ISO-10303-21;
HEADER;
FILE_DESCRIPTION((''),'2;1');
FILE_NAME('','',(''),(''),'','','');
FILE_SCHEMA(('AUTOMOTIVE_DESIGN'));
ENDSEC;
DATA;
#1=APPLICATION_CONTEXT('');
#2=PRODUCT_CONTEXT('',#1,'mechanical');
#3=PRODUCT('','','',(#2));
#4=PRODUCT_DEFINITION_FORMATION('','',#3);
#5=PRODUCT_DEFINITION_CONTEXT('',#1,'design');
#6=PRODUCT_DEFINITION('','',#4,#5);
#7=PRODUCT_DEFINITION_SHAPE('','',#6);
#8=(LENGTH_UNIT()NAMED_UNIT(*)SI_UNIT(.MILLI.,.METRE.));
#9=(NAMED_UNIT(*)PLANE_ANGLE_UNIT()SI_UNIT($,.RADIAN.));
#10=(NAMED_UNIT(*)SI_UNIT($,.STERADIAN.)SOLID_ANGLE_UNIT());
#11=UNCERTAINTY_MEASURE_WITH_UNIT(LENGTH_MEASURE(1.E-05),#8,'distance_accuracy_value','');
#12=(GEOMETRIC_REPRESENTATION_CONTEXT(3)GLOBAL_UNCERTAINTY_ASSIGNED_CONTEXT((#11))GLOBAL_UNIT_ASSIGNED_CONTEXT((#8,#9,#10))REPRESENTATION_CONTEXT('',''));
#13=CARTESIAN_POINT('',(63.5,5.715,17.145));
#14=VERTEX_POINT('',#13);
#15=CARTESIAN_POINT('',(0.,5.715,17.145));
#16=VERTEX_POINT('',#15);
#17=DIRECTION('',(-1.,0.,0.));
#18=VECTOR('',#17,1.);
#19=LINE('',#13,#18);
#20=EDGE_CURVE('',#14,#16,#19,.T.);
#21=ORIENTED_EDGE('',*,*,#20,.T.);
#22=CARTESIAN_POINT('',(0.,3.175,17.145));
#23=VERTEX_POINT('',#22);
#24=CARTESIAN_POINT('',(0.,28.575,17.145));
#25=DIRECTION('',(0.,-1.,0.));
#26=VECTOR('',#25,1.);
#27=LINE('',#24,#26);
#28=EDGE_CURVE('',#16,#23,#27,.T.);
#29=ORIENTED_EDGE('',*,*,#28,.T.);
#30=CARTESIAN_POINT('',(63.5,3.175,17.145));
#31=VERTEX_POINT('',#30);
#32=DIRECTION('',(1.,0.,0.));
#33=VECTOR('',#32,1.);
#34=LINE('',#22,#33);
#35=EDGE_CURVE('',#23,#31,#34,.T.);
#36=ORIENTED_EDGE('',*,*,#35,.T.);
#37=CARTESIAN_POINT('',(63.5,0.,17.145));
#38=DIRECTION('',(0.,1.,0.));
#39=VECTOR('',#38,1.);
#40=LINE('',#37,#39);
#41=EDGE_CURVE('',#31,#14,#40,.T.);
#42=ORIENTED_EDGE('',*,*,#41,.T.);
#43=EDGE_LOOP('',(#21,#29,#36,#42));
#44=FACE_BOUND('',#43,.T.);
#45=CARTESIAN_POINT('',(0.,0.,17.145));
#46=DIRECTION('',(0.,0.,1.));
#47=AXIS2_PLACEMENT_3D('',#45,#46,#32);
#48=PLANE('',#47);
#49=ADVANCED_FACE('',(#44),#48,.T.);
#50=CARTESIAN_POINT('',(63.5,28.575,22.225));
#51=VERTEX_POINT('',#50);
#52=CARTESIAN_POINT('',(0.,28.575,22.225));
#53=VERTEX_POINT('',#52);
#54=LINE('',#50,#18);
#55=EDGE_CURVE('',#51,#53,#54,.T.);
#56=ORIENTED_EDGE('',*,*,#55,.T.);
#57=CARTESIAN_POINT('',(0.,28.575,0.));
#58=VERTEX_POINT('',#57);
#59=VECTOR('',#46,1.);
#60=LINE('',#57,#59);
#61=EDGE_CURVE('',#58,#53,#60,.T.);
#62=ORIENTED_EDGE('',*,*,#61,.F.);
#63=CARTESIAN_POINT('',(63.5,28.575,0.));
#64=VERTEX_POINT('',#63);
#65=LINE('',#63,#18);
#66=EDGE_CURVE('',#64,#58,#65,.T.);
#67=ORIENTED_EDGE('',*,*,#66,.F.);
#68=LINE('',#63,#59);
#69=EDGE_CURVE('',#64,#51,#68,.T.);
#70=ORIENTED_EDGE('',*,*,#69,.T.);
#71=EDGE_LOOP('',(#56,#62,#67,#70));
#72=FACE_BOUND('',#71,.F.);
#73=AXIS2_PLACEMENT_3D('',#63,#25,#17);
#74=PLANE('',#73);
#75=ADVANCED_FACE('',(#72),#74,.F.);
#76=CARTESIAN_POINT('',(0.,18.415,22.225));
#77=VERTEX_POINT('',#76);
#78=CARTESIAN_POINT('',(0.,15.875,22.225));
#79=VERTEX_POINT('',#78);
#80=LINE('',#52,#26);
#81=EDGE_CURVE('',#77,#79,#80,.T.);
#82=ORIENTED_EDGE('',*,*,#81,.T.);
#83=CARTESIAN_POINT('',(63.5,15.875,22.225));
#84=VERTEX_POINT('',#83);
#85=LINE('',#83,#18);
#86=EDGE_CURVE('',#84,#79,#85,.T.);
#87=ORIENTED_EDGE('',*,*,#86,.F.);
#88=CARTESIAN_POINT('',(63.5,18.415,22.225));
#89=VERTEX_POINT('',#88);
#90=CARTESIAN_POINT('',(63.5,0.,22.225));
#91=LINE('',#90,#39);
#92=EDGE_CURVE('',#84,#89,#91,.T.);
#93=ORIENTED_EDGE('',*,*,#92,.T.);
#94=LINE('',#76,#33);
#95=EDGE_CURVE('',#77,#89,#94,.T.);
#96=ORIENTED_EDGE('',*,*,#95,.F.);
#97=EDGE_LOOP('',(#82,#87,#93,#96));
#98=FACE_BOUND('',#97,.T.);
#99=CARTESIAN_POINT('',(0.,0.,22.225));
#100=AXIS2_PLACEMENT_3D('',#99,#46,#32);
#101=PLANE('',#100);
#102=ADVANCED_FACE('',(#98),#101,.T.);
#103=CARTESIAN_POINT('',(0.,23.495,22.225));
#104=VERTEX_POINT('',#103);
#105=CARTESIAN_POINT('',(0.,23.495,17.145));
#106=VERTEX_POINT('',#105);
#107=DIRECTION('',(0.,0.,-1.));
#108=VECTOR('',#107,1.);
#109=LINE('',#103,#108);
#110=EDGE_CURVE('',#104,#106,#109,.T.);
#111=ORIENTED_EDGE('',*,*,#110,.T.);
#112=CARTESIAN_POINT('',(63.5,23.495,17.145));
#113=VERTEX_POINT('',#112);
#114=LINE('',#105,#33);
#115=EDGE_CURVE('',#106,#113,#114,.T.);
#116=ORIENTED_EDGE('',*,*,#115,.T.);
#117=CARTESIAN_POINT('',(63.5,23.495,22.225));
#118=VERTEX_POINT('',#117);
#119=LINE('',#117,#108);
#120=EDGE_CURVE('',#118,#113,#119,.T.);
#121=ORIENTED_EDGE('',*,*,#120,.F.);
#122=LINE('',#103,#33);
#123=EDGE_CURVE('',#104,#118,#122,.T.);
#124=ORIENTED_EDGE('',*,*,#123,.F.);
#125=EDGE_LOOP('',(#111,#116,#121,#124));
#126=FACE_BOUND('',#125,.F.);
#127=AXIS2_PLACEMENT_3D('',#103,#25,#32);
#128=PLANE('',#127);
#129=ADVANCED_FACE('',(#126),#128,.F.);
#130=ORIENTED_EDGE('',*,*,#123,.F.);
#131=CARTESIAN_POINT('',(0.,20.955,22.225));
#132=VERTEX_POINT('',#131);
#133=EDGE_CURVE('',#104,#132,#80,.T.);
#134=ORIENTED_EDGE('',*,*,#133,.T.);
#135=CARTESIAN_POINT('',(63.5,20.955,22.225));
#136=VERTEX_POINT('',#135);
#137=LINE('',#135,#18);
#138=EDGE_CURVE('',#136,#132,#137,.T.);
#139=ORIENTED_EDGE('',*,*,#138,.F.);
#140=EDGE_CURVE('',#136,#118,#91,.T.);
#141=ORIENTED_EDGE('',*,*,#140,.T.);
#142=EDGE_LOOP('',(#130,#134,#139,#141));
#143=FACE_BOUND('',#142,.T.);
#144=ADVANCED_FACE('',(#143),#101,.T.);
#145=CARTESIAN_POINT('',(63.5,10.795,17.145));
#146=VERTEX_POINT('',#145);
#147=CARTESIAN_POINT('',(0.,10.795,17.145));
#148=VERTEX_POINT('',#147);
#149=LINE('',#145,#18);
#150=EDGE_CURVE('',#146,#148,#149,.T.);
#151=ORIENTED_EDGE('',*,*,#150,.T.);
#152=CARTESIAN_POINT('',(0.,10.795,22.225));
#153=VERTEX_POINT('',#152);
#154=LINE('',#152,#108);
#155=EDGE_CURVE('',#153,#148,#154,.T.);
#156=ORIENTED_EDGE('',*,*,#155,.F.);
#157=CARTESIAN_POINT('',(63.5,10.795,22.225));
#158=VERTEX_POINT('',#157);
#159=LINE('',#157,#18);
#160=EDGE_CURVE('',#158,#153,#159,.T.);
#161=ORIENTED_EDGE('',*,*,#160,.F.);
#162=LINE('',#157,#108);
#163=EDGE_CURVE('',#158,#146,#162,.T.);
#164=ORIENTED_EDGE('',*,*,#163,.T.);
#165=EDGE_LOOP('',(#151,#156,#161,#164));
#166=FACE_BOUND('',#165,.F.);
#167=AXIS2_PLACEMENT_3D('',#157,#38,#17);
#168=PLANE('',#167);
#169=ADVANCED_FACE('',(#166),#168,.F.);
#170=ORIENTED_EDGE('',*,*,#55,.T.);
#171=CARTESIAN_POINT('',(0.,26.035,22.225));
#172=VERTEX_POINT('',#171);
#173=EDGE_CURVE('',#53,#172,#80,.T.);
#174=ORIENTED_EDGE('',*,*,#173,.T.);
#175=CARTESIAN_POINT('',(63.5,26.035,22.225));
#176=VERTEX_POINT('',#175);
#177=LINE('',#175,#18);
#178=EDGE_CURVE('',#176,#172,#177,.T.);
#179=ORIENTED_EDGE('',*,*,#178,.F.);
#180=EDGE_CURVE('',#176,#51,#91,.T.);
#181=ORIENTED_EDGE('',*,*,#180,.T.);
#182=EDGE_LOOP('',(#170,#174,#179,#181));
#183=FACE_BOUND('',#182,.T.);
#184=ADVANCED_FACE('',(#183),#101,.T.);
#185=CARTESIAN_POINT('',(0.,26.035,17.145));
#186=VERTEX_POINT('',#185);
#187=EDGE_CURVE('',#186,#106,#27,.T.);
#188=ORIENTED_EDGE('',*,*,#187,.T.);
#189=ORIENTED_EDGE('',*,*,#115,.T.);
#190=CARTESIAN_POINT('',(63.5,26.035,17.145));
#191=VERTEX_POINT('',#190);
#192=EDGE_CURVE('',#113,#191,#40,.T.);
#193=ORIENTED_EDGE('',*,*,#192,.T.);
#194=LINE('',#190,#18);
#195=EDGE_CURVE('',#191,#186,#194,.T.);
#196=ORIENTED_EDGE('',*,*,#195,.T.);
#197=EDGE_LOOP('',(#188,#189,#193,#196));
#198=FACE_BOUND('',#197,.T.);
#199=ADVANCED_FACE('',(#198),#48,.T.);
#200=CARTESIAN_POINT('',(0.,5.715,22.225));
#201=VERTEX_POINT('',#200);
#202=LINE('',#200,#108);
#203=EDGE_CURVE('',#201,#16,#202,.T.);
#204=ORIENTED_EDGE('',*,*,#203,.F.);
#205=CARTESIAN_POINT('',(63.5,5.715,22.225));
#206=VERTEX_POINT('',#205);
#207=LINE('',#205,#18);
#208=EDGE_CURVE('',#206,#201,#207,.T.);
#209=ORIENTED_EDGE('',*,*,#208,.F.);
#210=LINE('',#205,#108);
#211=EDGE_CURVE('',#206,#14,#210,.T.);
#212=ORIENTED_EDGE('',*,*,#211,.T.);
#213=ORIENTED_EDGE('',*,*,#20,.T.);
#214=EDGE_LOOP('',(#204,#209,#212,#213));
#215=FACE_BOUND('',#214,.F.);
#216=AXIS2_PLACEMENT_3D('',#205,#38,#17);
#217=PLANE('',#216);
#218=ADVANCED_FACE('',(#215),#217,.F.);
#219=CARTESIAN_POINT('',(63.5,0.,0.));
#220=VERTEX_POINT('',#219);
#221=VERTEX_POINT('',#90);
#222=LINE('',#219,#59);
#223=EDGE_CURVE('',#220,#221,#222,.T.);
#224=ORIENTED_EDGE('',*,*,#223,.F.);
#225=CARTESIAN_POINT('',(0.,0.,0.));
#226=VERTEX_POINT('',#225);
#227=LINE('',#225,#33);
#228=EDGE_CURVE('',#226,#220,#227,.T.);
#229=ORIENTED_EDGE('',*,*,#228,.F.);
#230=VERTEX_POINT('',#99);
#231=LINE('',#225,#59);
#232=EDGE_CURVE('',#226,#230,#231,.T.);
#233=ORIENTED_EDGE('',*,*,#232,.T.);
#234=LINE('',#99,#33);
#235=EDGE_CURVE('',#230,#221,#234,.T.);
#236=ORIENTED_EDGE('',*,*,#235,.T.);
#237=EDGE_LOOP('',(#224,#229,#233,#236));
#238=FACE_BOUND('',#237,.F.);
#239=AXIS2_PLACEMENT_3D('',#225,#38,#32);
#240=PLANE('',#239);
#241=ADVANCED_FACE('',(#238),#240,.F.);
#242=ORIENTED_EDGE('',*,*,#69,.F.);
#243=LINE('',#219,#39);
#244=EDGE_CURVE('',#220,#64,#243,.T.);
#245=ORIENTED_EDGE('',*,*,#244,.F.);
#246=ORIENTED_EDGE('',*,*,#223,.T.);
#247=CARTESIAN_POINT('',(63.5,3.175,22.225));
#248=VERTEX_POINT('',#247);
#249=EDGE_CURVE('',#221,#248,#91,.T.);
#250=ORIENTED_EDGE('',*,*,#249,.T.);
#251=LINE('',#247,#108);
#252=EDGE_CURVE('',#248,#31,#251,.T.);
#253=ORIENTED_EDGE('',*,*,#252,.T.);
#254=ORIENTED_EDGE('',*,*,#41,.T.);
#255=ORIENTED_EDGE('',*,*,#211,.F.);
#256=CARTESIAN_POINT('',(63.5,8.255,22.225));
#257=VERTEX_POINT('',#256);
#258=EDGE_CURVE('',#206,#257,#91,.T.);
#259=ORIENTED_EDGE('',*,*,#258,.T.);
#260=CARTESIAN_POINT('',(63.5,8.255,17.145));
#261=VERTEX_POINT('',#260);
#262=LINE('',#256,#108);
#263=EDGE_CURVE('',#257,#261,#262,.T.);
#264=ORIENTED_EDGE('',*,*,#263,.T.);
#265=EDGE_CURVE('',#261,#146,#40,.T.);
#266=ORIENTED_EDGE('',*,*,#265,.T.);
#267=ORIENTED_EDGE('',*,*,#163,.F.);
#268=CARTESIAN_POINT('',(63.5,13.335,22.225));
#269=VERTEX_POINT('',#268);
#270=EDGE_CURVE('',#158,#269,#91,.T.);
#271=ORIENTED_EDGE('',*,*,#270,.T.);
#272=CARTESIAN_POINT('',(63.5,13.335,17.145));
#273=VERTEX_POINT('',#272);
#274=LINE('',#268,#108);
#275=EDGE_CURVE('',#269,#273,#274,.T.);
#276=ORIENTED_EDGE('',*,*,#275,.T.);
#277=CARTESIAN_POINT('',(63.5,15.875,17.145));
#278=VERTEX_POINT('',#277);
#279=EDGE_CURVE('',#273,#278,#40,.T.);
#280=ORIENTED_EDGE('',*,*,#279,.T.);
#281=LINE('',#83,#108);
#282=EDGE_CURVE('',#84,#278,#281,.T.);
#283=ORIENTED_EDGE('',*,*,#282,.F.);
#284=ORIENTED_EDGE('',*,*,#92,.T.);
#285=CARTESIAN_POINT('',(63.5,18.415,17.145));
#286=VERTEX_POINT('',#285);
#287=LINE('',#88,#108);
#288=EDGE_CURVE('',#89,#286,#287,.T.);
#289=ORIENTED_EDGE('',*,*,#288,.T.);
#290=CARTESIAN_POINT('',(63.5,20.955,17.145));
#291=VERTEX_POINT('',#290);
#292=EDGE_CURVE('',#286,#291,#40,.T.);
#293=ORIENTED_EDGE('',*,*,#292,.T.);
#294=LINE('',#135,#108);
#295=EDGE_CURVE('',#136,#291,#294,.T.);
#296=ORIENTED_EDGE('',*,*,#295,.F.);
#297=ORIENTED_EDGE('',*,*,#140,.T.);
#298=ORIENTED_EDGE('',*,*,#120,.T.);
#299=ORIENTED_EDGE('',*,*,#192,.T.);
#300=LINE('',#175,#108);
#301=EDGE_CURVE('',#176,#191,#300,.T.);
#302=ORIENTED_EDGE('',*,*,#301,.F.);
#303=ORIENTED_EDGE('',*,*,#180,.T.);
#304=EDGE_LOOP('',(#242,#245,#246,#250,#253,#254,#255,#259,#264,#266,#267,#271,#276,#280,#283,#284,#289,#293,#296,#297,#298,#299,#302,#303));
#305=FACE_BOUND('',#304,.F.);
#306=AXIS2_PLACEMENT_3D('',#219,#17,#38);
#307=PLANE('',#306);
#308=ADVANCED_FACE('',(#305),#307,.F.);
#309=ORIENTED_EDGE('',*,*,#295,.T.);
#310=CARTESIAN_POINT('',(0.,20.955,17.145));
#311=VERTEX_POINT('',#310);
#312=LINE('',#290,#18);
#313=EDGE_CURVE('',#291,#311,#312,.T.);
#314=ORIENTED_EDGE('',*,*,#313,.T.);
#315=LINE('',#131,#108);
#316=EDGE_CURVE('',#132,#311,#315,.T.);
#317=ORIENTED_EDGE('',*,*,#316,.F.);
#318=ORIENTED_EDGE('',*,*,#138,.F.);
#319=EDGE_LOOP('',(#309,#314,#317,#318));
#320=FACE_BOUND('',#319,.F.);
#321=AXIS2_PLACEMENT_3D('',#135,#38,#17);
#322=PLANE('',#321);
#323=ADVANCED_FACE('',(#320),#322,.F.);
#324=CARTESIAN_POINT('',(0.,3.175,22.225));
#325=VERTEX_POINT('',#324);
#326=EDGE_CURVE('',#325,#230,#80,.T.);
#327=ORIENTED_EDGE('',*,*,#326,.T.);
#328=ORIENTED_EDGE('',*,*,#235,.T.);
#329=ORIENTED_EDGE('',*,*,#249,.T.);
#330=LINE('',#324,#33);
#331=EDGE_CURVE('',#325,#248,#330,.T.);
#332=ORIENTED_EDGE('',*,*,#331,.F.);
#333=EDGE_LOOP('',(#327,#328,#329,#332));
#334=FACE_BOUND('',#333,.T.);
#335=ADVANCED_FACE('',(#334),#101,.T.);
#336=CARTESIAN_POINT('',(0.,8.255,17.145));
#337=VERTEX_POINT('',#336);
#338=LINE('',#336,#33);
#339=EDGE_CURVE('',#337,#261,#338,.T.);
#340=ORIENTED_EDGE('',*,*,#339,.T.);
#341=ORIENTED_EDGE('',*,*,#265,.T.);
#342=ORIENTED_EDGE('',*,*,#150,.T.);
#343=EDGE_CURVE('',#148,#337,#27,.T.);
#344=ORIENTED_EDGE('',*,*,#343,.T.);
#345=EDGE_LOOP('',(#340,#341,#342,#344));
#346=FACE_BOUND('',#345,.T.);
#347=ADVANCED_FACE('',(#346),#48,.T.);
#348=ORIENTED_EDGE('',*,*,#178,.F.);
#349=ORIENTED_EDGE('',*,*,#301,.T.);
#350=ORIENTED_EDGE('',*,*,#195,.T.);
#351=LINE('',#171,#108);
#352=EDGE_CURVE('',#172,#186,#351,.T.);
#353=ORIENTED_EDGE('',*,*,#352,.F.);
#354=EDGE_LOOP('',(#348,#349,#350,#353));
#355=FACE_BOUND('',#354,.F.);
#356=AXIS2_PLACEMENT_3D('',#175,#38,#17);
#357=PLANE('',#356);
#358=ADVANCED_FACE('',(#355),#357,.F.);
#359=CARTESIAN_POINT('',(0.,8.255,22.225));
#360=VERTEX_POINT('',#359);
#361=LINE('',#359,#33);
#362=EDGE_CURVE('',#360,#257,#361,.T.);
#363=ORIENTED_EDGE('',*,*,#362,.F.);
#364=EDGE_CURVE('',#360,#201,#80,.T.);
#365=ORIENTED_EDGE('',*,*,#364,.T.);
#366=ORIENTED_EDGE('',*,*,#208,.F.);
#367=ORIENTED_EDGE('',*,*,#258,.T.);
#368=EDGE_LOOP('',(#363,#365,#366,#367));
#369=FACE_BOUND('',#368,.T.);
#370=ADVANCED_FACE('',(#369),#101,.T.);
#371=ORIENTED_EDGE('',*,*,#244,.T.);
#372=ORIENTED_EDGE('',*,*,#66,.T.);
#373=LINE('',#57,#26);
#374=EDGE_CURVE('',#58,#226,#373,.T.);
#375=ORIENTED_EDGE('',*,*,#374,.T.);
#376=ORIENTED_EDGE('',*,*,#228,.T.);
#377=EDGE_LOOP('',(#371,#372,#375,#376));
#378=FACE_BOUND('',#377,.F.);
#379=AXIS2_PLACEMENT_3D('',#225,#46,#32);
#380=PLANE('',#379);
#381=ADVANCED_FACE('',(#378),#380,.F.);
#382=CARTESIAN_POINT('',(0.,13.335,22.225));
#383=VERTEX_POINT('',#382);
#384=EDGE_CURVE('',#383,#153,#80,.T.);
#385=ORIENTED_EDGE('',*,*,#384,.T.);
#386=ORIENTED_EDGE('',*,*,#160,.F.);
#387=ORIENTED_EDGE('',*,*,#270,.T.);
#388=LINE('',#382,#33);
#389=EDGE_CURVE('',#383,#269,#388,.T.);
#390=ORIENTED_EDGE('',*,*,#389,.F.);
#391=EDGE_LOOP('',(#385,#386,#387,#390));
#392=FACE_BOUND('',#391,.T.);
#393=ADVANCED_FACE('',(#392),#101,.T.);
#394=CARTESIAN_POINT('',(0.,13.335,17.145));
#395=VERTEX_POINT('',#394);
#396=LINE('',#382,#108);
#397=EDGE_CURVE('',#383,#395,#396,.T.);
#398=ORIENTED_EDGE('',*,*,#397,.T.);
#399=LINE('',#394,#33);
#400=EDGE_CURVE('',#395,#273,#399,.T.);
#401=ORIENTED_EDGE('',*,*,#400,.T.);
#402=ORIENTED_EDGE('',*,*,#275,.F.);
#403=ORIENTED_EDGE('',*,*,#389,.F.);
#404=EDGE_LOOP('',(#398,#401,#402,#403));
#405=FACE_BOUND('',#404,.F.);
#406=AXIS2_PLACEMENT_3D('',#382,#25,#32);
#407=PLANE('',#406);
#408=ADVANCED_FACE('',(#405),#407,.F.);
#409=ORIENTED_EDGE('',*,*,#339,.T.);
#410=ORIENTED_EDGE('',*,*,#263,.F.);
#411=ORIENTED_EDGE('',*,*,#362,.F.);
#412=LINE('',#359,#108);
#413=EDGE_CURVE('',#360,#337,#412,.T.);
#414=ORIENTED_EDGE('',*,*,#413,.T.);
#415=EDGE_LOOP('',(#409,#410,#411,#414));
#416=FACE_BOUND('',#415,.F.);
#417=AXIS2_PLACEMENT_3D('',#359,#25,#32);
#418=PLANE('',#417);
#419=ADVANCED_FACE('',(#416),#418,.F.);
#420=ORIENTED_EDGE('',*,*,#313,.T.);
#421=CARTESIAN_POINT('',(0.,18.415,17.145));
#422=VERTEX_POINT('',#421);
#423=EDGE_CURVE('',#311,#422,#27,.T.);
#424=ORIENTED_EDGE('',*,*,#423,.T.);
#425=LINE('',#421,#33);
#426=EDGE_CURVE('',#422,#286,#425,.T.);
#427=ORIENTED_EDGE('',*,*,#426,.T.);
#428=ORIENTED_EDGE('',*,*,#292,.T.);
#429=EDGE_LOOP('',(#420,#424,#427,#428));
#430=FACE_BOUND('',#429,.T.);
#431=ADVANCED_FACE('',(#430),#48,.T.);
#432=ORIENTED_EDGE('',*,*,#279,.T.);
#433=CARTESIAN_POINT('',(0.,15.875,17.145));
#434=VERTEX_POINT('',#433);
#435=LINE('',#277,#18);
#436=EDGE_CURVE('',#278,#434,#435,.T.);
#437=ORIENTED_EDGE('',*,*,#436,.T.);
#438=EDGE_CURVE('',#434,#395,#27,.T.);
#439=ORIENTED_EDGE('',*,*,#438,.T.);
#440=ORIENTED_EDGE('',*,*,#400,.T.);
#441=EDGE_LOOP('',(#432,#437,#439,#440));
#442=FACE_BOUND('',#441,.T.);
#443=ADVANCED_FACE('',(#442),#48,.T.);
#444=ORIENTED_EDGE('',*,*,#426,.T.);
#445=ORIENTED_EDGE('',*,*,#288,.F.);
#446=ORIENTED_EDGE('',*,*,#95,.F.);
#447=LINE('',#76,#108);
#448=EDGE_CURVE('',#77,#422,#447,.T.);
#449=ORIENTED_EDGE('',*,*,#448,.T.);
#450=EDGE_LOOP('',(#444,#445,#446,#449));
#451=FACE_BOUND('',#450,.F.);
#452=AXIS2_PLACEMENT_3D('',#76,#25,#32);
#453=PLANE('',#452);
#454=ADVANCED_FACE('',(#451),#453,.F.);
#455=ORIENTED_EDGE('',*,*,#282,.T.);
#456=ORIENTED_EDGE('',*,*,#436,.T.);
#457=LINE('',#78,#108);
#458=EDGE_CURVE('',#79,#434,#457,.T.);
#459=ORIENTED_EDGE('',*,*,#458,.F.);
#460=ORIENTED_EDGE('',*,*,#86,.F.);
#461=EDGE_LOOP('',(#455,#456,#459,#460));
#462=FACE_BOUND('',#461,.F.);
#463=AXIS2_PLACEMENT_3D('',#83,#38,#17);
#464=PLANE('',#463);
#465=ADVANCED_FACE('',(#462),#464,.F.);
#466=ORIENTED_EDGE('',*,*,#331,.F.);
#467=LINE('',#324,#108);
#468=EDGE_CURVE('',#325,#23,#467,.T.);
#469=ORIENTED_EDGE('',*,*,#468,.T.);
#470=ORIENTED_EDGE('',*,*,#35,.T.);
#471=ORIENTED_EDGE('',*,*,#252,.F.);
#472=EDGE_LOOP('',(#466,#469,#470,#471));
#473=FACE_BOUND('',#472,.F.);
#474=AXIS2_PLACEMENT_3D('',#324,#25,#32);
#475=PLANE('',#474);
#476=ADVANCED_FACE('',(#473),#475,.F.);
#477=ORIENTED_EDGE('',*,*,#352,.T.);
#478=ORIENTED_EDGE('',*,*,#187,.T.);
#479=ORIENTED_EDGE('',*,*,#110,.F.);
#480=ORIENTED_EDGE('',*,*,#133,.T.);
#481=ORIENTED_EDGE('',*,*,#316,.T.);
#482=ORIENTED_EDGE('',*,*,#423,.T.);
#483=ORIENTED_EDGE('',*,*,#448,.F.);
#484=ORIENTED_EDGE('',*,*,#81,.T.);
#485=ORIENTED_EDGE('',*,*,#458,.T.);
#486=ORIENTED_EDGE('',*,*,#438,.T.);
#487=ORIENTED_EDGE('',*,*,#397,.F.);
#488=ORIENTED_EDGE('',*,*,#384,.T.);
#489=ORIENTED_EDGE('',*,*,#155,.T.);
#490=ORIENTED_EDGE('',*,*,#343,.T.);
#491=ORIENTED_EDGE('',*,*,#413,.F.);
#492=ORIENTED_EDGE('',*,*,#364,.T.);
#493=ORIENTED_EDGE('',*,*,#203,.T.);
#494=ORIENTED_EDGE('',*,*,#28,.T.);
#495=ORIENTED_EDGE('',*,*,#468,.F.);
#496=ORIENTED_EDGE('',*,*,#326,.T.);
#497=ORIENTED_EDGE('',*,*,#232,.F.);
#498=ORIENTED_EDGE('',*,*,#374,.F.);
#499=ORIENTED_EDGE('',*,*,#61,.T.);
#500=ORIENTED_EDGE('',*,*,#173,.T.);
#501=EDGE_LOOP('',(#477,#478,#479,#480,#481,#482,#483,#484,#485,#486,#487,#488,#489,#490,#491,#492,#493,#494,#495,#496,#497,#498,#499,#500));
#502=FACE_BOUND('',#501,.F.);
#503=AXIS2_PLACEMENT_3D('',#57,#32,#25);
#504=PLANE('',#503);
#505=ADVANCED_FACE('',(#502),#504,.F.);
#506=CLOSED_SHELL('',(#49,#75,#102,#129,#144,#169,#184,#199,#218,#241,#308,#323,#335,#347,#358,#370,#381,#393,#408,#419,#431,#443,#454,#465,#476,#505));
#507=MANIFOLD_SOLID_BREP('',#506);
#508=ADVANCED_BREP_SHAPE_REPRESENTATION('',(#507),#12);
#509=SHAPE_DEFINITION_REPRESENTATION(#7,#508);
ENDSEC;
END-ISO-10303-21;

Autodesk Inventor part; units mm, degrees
ref_plane "YZ Plane" through (0, 0, 0) normal (1, 0, 0) x (0, 1, 0)
ref_plane "XZ Plane" through (0, 0, 0) normal (0, 1, 0) x (-1, 0, 0)
ref_plane "XY Plane" through (0, 0, 0) normal (0, 0, 1) x (1, 0, 0)
sketch "Sketch1" plane through (0, 0, 0) normal (0, 0, 1) x (1, 0, 0)
  line L0 (0, 0) -> (63.5, 0)
  line L1 (63.5, 0) -> (63.5, 28.575)
  line L2 (63.5, 28.575) -> (0, 28.575)
  line L3 (0, 28.575) -> (0, 0)
  dimension "d0" = 63.5
  dimension "d1" = 28.575
extrude "Extrusion1" add sketch "Sketch1" along normal blind 22.225
sketch "Sketch2" plane through (0, 0, 22.225) normal (0, 0, 1) x (1, 0, 0)
  line L0 (63.5, 0) -> (63.5, 28.575) projected
  line L1 (0, 28.575) -> (0, 0) projected
  line L2 (63.5, 26.035) -> (0, 26.035)
  line L3 (0, 26.035) -> (0, 23.495)
  line L4 (0, 23.495) -> (63.5, 23.495)
  line L5 (63.5, 23.495) -> (63.5, 26.035)
  line L6 (63.5, 28.575) -> (0, 28.575) projected
  line L7 (63.5, 20.955) -> (0, 20.955)
  line L8 (0, 20.955) -> (0, 18.415)
  line L9 (0, 18.415) -> (63.5, 18.415)
  line L10 (63.5, 18.415) -> (63.5, 20.955)
  line L11 (63.5, 15.875) -> (0, 15.875)
  line L12 (0, 15.875) -> (0, 13.335)
  line L13 (0, 13.335) -> (63.5, 13.335)
  line L14 (63.5, 13.335) -> (63.5, 15.875)
  line L15 (63.5, 10.795) -> (0, 10.795)
  line L16 (0, 10.795) -> (0, 8.255)
  line L17 (0, 8.255) -> (63.5, 8.255)
  line L18 (63.5, 8.255) -> (63.5, 10.795)
  line L19 (63.5, 5.715) -> (0, 5.715)
  line L20 (0, 5.715) -> (0, 3.175)
  line L21 (0, 3.175) -> (63.5, 3.175)
  line L22 (63.5, 3.175) -> (63.5, 5.715)
  dimension "d4" = 2.54
  dimension "d5" = 2.54
  dimension "d8" = 5.08
extrude "Extrusion2" cut sketch "Sketch2" against normal blind 5.08 contours L21 L1 L19 L0 | L17 L1 L15 L0 | L13 L1 L11 L0 | L9 L1 L7 L0 | L4 L1 L2 L0
properties part number "Victor2"
